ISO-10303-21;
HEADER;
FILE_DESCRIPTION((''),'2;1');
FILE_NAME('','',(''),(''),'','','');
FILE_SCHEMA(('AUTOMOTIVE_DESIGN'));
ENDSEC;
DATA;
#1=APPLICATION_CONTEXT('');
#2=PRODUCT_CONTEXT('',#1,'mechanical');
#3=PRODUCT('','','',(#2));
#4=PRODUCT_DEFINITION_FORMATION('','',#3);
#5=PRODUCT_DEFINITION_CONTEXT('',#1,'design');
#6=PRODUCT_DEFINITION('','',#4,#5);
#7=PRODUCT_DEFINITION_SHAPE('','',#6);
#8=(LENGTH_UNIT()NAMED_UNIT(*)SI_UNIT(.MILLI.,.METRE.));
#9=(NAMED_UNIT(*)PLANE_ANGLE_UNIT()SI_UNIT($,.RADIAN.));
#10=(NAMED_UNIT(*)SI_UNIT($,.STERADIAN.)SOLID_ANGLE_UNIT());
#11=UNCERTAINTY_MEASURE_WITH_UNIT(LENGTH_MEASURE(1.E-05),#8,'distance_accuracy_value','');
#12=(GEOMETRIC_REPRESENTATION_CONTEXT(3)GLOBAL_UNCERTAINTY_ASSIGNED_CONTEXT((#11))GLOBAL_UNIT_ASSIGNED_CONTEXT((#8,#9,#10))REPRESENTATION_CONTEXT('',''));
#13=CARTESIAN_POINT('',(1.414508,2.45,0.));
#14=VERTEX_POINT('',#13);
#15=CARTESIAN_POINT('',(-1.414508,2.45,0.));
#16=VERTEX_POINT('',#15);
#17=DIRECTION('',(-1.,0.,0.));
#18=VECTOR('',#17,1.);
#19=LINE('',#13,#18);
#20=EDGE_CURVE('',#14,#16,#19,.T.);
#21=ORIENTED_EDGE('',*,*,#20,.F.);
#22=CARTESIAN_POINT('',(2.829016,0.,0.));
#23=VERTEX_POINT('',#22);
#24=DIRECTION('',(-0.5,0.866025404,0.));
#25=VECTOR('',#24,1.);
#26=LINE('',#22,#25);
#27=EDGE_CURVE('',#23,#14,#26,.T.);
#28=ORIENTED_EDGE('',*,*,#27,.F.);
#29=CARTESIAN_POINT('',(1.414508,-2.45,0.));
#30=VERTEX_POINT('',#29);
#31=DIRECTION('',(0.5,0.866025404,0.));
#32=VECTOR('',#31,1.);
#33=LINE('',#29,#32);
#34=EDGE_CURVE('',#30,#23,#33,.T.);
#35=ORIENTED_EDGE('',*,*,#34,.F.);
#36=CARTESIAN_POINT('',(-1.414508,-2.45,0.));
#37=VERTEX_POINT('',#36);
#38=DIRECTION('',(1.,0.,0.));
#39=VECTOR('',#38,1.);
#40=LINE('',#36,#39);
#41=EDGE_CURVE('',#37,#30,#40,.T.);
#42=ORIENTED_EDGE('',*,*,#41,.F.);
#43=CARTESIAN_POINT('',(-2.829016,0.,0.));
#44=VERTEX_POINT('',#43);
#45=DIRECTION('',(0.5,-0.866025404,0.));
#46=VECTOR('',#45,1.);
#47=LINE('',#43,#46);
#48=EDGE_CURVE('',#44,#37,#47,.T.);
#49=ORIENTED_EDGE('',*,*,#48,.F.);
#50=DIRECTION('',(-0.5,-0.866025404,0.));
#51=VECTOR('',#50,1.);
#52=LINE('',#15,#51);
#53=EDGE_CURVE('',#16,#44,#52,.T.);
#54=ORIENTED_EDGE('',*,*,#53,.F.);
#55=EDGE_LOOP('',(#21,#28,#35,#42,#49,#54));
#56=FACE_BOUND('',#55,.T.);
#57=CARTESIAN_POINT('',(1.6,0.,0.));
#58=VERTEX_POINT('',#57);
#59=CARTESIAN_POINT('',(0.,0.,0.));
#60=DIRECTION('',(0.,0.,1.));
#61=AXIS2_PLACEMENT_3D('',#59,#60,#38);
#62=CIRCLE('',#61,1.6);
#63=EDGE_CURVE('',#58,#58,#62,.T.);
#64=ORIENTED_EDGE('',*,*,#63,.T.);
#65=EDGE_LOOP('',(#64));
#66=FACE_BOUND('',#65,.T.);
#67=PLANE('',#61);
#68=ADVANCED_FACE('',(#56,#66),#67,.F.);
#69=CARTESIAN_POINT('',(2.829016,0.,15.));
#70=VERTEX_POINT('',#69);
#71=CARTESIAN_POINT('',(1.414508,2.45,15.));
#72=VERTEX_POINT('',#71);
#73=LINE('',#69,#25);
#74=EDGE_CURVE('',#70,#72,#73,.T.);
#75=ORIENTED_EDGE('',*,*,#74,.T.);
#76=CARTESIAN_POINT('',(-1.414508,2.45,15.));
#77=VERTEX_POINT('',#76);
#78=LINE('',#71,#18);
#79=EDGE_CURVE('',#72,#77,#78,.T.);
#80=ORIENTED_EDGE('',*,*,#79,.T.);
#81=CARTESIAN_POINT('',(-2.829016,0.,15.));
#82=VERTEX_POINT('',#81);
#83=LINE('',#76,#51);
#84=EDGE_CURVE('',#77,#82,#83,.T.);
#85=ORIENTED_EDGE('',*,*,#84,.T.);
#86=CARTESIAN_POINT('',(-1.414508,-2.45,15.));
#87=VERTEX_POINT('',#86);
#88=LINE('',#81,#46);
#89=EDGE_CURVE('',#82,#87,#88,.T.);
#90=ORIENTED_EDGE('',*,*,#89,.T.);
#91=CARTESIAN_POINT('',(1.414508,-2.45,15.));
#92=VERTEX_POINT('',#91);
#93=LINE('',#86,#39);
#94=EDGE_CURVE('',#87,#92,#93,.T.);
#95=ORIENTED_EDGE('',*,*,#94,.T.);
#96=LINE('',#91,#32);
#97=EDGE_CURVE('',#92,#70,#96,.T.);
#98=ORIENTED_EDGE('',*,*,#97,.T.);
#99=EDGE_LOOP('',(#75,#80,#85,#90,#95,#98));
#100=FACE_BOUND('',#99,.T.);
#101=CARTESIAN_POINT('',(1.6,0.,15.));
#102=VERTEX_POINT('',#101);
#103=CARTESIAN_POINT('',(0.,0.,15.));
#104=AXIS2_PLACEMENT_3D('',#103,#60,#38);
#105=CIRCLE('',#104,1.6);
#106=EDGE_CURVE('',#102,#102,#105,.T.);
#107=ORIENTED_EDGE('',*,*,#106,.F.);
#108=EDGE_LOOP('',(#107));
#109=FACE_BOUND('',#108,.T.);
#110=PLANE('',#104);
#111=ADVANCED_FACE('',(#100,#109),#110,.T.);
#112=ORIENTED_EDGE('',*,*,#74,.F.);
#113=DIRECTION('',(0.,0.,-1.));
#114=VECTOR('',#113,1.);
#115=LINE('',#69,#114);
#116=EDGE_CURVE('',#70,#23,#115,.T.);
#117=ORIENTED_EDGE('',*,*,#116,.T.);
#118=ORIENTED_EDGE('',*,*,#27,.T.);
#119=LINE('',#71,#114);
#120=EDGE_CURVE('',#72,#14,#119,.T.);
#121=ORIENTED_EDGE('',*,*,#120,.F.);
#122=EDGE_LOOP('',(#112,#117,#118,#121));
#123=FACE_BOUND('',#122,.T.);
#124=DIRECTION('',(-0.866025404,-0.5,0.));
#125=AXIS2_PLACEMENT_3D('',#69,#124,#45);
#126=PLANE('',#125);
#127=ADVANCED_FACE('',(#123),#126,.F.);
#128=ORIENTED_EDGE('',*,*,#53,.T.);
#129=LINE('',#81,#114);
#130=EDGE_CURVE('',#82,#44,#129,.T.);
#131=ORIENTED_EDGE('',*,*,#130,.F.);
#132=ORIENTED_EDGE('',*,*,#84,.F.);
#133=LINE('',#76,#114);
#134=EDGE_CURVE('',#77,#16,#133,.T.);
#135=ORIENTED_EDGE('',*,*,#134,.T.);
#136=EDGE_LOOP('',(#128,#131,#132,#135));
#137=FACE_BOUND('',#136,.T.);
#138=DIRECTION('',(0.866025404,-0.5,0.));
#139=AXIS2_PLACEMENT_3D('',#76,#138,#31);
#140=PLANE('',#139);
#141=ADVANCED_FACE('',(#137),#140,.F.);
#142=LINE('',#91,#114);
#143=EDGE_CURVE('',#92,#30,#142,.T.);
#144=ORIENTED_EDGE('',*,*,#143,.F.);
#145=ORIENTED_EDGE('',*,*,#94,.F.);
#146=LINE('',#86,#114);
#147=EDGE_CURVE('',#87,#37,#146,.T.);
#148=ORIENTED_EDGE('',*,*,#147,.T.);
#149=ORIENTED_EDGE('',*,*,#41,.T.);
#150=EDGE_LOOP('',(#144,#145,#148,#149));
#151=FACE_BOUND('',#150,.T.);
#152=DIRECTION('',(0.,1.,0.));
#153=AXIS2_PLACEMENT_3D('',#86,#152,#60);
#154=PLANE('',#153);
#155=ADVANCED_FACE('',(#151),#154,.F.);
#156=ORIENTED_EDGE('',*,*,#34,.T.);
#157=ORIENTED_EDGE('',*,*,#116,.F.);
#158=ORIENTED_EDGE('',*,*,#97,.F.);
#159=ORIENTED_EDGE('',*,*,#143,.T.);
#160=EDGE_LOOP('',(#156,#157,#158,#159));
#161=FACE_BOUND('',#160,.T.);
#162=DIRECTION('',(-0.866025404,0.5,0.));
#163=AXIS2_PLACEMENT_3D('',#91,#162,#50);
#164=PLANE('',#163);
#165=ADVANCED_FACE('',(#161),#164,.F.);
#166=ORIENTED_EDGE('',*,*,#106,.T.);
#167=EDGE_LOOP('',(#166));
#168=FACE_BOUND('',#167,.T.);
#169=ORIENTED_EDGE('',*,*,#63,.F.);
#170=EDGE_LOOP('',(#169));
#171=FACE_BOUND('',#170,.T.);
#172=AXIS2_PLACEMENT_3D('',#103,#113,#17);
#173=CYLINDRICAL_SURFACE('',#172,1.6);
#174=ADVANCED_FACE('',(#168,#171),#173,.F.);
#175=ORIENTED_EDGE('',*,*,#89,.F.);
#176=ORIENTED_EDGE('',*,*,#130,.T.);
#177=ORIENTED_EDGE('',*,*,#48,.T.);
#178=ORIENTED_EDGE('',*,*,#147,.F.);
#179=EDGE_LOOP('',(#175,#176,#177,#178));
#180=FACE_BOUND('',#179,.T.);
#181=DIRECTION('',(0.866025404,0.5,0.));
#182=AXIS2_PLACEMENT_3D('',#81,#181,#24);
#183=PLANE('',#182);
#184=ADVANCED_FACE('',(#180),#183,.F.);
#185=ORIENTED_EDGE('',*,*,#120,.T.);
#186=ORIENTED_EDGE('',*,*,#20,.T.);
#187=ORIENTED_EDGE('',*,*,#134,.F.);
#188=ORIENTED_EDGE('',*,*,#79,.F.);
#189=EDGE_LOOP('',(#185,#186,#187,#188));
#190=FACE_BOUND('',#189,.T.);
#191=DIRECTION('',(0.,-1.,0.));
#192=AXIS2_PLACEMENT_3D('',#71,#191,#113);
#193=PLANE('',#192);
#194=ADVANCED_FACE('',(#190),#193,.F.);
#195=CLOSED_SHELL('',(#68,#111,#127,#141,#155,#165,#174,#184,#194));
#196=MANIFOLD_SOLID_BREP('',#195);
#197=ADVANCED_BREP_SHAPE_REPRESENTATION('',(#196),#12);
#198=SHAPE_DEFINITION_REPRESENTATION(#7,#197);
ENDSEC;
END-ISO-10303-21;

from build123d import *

# Parameters (mm, degrees)
SKETCH_1_R      = 1.6
EXTRUDE_1_DEPTH = 15


with BuildPart() as part:
    # 草图1 → 凸台-拉伸1 (new body)
    with BuildSketch(Plane.XY):
        Polygon((2.829016319, 0), (1.41450816, 2.45), (-1.41450816, 2.45), (-2.829016319, 0), (-1.41450816, -2.45), (1.41450816, -2.45), align=None)
        Circle(SKETCH_1_R, mode=Mode.SUBTRACT)
    extrude(amount=EXTRUDE_1_DEPTH)


solid = part.part
